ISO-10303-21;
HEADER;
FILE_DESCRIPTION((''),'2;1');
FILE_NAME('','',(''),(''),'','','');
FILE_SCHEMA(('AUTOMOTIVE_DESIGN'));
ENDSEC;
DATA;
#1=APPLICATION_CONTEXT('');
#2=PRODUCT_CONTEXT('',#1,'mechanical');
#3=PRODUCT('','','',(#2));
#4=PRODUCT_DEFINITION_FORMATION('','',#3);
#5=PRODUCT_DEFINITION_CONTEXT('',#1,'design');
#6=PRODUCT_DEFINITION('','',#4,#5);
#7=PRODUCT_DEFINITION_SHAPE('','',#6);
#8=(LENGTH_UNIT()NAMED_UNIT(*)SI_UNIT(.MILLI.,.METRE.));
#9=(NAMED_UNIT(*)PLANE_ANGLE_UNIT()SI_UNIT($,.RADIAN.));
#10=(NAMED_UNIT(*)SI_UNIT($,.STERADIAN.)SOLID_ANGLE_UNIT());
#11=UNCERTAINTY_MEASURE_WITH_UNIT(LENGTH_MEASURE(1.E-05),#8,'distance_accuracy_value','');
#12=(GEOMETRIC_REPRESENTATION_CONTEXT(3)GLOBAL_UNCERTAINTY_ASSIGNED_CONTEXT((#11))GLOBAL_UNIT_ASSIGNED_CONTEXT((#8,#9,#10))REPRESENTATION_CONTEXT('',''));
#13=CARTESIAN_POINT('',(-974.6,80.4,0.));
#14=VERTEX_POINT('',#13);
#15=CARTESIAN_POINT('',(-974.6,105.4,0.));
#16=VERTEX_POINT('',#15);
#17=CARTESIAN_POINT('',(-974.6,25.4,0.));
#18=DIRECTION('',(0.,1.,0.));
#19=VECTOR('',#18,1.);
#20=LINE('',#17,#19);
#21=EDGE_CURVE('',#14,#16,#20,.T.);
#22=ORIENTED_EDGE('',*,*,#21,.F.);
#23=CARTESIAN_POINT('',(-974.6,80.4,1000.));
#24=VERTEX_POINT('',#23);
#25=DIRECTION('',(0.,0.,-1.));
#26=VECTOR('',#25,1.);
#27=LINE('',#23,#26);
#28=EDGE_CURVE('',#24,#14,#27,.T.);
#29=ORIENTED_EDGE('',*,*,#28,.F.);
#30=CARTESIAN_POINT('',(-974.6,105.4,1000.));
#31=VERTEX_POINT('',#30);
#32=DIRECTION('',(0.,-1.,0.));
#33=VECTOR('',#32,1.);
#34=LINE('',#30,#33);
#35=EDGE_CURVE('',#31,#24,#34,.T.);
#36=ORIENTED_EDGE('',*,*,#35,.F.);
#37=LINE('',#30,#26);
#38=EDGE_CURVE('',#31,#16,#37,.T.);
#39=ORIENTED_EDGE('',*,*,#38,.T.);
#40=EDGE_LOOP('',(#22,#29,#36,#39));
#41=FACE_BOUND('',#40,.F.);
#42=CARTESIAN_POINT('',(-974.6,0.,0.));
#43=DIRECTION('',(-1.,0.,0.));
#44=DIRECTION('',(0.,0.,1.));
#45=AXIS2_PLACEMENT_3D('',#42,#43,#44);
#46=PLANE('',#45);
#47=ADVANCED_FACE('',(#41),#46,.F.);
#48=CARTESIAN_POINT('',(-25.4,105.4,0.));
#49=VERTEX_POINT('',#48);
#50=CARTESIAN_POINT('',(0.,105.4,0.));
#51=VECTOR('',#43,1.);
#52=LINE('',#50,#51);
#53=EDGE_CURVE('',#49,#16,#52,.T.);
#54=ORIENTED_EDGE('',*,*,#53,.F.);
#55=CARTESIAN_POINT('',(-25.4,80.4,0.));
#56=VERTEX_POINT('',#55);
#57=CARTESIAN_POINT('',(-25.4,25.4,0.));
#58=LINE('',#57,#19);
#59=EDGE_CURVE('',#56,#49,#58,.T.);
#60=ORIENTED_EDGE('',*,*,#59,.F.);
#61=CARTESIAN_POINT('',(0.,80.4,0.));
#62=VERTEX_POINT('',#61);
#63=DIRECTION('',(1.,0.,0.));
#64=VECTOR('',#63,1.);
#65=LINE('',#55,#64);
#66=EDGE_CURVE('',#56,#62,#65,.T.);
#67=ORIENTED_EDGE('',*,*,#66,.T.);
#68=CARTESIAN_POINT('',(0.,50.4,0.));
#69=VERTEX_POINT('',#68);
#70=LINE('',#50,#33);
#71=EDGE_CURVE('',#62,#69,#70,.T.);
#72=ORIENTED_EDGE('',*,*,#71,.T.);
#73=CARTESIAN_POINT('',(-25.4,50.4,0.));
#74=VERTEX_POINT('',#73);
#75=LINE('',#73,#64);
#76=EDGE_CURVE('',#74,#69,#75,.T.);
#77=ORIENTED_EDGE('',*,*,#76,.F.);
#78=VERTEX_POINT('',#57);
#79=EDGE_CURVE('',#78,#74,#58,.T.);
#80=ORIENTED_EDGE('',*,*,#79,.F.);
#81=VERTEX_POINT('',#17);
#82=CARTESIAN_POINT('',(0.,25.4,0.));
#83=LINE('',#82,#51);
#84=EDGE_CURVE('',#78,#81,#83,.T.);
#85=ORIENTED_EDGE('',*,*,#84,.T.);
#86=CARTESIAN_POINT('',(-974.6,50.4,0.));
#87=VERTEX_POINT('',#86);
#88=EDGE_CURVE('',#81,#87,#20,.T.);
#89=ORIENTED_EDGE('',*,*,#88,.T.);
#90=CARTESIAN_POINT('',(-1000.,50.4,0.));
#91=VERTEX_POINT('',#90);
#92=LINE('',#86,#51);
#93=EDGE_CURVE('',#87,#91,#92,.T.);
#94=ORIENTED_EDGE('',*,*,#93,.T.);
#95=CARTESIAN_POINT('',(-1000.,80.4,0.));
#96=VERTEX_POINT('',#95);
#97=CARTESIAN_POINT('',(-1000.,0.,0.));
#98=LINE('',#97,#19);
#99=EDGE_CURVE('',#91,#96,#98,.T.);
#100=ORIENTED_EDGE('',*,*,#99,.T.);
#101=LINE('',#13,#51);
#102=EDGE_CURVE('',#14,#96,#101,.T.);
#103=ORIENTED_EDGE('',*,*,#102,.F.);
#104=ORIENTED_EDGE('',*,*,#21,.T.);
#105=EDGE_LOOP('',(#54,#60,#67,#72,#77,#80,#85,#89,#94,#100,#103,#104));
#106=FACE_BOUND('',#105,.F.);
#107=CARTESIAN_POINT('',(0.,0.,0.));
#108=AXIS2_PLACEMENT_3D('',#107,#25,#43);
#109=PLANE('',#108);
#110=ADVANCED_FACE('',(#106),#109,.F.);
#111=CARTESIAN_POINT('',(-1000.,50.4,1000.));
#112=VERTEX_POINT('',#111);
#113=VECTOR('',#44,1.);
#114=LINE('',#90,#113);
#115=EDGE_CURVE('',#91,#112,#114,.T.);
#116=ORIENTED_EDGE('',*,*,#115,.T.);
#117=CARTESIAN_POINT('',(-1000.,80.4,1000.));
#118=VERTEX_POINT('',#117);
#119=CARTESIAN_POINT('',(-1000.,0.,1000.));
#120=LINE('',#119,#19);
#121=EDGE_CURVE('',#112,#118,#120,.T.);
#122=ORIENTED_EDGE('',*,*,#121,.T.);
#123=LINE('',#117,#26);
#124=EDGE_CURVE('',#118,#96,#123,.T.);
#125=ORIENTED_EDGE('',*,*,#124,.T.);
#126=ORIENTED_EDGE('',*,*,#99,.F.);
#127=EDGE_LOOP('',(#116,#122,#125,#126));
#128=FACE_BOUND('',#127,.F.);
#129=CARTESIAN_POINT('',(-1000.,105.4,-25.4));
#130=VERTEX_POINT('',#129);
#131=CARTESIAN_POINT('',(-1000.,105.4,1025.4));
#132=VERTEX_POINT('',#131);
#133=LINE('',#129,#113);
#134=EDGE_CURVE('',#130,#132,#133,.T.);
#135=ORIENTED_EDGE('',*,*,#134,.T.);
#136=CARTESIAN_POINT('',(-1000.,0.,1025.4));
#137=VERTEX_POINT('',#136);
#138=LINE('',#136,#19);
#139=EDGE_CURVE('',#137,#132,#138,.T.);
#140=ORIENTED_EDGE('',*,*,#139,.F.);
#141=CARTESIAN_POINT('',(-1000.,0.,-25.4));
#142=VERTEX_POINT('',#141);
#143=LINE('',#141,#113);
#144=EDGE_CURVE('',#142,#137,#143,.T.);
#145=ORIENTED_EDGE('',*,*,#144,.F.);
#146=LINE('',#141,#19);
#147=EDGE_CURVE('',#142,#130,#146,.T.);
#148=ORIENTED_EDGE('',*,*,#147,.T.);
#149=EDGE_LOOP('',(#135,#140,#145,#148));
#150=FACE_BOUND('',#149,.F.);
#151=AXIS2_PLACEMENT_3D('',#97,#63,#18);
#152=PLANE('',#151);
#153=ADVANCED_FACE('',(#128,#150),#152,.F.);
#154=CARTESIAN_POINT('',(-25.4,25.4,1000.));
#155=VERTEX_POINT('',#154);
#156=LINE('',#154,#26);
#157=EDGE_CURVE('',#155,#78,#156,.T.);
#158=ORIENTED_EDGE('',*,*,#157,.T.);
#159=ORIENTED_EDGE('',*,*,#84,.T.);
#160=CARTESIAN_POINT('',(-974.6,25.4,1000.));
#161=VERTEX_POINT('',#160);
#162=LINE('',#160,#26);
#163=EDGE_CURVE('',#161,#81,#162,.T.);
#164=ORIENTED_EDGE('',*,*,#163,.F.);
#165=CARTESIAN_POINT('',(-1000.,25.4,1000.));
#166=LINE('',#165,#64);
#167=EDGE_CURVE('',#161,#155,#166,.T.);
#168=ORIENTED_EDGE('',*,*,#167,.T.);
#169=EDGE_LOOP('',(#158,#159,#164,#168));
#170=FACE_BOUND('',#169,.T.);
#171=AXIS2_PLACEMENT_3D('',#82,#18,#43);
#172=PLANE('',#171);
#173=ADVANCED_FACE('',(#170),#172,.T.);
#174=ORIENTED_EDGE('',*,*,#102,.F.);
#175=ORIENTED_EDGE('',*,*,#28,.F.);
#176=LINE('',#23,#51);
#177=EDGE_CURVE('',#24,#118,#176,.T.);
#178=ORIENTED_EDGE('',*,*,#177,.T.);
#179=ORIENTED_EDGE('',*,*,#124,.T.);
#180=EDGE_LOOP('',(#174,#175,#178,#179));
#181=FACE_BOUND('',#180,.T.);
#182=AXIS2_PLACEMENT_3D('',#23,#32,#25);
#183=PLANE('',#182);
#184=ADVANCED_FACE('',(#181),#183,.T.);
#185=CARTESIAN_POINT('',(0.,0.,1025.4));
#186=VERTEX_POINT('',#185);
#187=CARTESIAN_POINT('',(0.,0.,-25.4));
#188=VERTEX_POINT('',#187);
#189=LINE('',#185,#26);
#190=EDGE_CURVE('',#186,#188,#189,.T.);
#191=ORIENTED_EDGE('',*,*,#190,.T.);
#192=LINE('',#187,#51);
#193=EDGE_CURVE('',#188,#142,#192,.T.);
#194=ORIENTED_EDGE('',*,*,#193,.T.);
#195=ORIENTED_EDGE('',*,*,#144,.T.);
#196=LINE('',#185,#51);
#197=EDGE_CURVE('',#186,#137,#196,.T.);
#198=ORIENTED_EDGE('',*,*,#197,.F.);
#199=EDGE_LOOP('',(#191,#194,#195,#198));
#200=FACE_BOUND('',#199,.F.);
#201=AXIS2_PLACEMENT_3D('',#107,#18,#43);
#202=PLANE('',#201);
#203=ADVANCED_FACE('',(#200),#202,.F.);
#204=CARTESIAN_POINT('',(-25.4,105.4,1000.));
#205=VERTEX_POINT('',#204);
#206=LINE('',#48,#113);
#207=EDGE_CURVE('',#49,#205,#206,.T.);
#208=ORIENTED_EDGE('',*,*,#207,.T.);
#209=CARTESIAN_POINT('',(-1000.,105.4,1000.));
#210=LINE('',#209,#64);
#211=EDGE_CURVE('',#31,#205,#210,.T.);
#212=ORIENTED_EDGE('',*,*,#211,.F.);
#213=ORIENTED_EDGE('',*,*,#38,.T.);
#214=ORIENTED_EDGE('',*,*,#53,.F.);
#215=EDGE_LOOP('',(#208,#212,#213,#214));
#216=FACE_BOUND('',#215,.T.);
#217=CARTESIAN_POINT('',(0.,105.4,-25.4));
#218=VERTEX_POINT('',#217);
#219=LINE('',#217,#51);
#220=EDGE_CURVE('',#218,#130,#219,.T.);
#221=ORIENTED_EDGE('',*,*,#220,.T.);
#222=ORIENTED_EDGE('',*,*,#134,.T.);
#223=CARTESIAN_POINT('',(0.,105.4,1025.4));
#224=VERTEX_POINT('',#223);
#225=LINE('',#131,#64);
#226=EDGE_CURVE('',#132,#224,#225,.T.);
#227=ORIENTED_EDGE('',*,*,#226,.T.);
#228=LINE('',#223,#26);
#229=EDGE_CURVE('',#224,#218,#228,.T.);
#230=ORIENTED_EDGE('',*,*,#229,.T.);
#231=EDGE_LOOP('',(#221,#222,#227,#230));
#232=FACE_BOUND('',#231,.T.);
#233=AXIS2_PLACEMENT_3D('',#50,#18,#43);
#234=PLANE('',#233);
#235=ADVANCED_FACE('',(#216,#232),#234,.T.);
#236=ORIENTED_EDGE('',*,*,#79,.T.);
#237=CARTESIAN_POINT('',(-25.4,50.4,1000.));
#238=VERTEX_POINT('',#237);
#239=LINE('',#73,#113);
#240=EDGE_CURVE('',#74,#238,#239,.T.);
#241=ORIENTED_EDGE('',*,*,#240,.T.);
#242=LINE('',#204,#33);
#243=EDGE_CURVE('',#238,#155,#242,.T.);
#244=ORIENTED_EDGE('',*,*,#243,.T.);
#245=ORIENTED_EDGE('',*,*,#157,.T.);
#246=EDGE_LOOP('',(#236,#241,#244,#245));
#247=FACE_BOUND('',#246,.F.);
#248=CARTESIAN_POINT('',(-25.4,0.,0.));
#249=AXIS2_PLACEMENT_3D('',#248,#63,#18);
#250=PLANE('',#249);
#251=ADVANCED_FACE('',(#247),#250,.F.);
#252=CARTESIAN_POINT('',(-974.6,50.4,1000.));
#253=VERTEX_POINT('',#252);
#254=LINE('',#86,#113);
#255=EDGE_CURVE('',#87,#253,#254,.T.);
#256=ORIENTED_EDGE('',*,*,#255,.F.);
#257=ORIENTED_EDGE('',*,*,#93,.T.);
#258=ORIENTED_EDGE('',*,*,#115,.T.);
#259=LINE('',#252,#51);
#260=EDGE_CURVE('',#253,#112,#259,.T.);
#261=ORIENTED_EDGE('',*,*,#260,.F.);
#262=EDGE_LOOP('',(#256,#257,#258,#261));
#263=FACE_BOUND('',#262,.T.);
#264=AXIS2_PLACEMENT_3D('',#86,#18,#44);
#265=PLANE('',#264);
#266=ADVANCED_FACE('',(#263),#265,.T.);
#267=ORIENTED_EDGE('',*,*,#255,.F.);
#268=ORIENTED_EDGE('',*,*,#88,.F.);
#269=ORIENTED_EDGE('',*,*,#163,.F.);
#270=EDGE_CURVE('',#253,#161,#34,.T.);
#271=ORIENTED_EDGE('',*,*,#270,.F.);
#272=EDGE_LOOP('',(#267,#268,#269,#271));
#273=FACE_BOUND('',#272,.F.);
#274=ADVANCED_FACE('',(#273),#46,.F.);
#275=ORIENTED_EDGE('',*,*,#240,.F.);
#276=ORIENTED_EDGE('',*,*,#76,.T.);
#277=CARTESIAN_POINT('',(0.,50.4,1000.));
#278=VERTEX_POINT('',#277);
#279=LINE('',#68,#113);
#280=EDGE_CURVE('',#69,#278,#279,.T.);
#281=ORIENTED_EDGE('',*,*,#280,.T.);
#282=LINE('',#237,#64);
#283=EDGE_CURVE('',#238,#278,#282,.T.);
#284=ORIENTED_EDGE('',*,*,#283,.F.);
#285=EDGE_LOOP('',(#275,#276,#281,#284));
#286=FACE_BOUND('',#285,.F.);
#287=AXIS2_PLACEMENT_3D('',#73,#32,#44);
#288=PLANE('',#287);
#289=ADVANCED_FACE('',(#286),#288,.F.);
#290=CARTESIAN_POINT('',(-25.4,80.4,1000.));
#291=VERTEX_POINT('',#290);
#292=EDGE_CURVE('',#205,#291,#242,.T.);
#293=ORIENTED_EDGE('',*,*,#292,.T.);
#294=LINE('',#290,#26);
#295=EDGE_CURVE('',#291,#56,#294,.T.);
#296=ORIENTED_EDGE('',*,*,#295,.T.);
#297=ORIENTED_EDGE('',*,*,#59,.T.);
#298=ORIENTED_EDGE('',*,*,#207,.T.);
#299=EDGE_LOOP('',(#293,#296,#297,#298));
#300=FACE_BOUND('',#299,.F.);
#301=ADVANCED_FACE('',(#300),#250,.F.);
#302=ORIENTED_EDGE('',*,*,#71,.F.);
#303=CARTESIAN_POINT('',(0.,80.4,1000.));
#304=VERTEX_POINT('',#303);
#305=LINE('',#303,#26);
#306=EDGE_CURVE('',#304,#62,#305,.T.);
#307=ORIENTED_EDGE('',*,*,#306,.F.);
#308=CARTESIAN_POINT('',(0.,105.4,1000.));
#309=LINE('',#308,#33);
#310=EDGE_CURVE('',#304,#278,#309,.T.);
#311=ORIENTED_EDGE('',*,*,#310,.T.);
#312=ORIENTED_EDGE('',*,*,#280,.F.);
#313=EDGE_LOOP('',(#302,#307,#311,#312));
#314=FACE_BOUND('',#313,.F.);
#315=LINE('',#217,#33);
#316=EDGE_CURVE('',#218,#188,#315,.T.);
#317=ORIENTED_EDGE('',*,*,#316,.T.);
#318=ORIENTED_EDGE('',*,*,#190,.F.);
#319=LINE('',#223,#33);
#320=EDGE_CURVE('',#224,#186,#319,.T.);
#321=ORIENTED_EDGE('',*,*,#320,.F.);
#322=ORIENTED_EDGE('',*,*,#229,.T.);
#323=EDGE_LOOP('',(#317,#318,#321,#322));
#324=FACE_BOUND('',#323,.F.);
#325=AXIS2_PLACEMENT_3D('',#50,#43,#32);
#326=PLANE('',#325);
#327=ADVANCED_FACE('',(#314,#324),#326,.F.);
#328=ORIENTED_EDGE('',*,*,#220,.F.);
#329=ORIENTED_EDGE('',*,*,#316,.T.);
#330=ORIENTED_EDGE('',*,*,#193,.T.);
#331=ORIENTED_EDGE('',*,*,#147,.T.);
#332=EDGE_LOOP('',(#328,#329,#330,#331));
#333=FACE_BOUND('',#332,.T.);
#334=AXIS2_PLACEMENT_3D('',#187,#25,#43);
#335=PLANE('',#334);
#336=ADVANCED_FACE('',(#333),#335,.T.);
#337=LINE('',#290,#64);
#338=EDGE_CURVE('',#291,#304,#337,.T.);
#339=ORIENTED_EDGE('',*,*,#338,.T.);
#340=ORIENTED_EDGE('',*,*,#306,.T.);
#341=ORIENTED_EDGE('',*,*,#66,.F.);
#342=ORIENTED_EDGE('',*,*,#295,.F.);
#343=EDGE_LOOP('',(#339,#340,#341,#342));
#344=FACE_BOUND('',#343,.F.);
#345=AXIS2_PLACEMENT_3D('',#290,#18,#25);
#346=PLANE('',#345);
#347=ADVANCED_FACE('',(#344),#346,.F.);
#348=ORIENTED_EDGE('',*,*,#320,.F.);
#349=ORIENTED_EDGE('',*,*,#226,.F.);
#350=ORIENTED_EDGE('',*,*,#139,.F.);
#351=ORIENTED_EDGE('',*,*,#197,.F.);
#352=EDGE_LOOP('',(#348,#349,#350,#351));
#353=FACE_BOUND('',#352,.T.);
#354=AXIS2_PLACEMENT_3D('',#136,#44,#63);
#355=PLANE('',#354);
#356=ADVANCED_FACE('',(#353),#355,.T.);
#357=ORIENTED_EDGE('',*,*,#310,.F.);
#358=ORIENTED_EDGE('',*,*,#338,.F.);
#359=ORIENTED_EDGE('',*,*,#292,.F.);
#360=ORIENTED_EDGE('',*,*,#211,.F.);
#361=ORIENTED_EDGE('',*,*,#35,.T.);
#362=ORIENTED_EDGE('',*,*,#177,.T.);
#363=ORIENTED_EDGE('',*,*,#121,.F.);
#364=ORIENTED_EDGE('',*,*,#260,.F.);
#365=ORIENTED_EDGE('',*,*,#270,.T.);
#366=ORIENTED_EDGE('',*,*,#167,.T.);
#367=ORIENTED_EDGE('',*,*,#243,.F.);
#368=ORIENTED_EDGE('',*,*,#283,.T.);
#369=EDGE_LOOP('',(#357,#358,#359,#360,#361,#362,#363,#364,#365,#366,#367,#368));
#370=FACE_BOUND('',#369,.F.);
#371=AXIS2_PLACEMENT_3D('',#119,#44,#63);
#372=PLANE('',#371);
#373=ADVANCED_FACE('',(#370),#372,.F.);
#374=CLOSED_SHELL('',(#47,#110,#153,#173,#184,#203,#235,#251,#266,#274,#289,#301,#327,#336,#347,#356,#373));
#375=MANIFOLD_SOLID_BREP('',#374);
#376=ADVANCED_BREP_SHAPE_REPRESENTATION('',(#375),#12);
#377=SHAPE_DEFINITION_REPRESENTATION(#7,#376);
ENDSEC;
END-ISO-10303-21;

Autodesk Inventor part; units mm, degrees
sketch "Sketch1" plane through (0, 0, 0) normal (0, 1, 0) x (-1, 0, 0)
  line L0 (0, 0) -> (1000, 0)
  line L1 (1000, 0) -> (1000, 1000)
  line L2 (1000, 1000) -> (0, 1000)
  line L3 (0, 1000) -> (0, 0)
  dimension "d0" = 1000
  dimension "d1" = 1000
extrude "Extrusion1" add sketch "Sketch1" along normal blind 25.4
sketch "Sketch2" plane through (0, 0, 0) normal (1, 0, 0) x (0, 1, 0)
  line L0 (25.4, 1000) -> (25.4, 0) projected
  line L1 (25.4, 0) -> (105.4, 0)
  line L2 (105.4, 0) -> (105.4, 1000)
  line L3 (105.4, 1000) -> (25.4, 1000)
  line L4 (25.4, 1000) -> (25.4, 0)
  point P0 (0, 0)
  dimension "d4" = 80
  dimension "d5" = 1000
extrude "Extrusion2" add sketch "Sketch2" against normal blind 25.4
sketch "Sketch3" plane through (-1000, 0, 0) normal (-1, 0, 0) x (0, 0, 1)
  line L0 (1000, 0) -> (1000, 25.4) projected
  line L1 (1000, 105.4) -> (0, 105.4) projected
  line L2 (1000, 25.4) -> (0, 25.4)
  line L3 (0, 25.4) -> (0, 105.4)
  line L4 (0, 105.4) -> (1000, 105.4)
  line L5 (1000, 105.4) -> (1000, 25.4)
  point P0 (0, 0)
  dimension "d8" = 1000
  dimension "d9" = 80
extrude "Extrusion3" add sketch "Sketch3" against normal blind 25.4
sketch "Sketch4" plane through (-25.4, 0, 0) normal (-1, 0, 0) x (0, 0, 1)
  line L0 (0, 50.4) -> (1000, 50.4)
  line L1 (1000, 50.4) -> (1000, 80.4)
  line L2 (1000, 80.4) -> (0, 80.4)
  line L3 (0, 80.4) -> (0, 50.4)
  point P0 (0, 0)
  dimension "d12" = 1000
  dimension "d13" = 30
extrude "Extrusion4" cut sketch "Sketch4" against normal blind 25.4
sketch "Sketch5" plane through (-974.6, 0, 0) normal (1, 0, 0) x (0, 0, -1)
  line L0 (0, 25.4) -> (0, 105.4) projected
  line L1 (0, 50.4) -> (-1000, 50.4)
  line L2 (-1000, 50.4) -> (-1000, 80.4)
  line L3 (-1000, 80.4) -> (0, 80.4)
  line L4 (0, 80.4) -> (0, 50.4)
  line L5 (0, 25.4) -> (-1000, 25.4) projected
  point P0 (0, 0)
  point P1 (0, 80.4)
  dimension "d16" = 1000
  dimension "d17" = 30
  dimension "d18" = 25
extrude "Extrusion5" cut sketch "Sketch5" against normal blind 25.4
ref_plane "Work Plane1" through (-1000, 65.4, 1000) normal (0, 1, 0) x (1, 0, 0)
sketch "Sketch6" plane through (-1000, 0, 1000) normal (0, 0, 1) x (1, 0, 0)
  line L0 (0, 80.4) -> (0, 105.4) projected
  line L1 (1000, 0) -> (0, 0)
  line L2 (0, 0) -> (0, 105.4)
  line L3 (0, 105.4) -> (1000, 105.4)
  line L4 (1000, 105.4) -> (1000, 0)
extrude "Extrusion6" add sketch "Sketch6" along normal blind 25.4
sketch "Sketch7" plane through (0, 0, 0) normal (0, 0, -1) x (-1, 0, 0)
  line L0 (0, 105.4) -> (1000, 105.4) projected
  line L1 (0, 0) -> (1000, 0)
  line L2 (1000, 0) -> (1000, 105.4)
  line L3 (1000, 105.4) -> (0, 105.4)
  line L4 (0, 105.4) -> (0, 0)
extrude "Extrusion7" add sketch "Sketch7" along normal blind 25.4
ref_plane "Work Plane2" through (-1000, 0, 500) normal (0, 0, 1) x (1, 0, 0)
ref_plane "Work Plane3" through (0, 0, 1025.4) normal (1, 0, 0) x (0, 0, -1)
properties material "Iron, Cast"
